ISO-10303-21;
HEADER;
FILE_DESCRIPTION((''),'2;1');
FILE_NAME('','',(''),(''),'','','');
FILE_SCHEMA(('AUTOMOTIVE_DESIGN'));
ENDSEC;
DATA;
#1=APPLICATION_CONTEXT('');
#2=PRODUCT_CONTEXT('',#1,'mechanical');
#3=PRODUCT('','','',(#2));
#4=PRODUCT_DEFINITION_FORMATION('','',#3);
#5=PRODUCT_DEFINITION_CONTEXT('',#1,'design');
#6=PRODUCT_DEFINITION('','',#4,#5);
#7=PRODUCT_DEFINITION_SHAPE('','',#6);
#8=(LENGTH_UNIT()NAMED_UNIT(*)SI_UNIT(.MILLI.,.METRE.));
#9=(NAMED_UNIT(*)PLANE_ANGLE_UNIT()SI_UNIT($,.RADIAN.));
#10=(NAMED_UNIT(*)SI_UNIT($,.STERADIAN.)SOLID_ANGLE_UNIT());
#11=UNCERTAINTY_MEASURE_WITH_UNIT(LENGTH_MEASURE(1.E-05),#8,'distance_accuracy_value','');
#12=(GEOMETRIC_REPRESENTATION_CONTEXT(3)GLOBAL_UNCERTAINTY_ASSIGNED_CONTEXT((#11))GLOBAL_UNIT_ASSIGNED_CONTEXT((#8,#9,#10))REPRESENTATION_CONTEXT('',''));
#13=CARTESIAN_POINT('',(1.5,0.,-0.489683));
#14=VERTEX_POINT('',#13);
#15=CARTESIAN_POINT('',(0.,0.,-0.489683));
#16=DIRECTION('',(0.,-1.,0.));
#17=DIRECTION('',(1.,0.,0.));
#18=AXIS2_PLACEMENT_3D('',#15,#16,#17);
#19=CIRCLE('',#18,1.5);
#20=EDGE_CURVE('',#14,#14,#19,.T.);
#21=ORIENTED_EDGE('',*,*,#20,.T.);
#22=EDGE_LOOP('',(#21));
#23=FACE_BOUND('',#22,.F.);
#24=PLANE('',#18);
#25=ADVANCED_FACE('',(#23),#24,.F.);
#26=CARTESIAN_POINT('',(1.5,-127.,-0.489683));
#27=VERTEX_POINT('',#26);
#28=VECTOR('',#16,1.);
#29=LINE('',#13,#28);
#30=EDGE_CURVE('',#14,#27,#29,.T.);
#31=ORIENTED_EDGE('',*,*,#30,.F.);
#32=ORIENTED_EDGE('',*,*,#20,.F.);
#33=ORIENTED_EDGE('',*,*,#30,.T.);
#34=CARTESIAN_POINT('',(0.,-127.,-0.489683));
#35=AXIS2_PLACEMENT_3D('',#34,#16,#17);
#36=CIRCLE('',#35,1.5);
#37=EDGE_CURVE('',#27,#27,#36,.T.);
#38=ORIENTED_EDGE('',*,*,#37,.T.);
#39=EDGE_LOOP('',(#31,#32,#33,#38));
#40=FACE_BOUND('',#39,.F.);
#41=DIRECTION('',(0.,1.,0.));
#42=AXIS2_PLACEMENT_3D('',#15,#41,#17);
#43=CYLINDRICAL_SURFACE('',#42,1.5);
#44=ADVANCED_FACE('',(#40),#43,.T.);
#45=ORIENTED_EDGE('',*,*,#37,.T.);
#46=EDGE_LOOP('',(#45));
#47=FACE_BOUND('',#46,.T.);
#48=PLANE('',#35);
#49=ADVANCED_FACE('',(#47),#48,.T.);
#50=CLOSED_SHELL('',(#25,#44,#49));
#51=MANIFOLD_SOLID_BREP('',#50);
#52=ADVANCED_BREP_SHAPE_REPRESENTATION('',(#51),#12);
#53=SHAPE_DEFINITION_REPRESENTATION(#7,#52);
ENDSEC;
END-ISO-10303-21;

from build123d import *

# Parameters (mm, degrees)
F0_R     = 1.5
F0_R_2   = 0.364839353
F1_DEPTH = 127


with BuildPart() as f1:
    # F0 (on Front) → F1 (new body)
    with BuildSketch(Plane.XZ):
        with Locations((0, -0.4896833081)):
            Circle(F0_R)
        Circle(F0_R_2, mode=Mode.SUBTRACT)
        Circle(F0_R_2)
    extrude(amount=F1_DEPTH)


solid = f1.part
